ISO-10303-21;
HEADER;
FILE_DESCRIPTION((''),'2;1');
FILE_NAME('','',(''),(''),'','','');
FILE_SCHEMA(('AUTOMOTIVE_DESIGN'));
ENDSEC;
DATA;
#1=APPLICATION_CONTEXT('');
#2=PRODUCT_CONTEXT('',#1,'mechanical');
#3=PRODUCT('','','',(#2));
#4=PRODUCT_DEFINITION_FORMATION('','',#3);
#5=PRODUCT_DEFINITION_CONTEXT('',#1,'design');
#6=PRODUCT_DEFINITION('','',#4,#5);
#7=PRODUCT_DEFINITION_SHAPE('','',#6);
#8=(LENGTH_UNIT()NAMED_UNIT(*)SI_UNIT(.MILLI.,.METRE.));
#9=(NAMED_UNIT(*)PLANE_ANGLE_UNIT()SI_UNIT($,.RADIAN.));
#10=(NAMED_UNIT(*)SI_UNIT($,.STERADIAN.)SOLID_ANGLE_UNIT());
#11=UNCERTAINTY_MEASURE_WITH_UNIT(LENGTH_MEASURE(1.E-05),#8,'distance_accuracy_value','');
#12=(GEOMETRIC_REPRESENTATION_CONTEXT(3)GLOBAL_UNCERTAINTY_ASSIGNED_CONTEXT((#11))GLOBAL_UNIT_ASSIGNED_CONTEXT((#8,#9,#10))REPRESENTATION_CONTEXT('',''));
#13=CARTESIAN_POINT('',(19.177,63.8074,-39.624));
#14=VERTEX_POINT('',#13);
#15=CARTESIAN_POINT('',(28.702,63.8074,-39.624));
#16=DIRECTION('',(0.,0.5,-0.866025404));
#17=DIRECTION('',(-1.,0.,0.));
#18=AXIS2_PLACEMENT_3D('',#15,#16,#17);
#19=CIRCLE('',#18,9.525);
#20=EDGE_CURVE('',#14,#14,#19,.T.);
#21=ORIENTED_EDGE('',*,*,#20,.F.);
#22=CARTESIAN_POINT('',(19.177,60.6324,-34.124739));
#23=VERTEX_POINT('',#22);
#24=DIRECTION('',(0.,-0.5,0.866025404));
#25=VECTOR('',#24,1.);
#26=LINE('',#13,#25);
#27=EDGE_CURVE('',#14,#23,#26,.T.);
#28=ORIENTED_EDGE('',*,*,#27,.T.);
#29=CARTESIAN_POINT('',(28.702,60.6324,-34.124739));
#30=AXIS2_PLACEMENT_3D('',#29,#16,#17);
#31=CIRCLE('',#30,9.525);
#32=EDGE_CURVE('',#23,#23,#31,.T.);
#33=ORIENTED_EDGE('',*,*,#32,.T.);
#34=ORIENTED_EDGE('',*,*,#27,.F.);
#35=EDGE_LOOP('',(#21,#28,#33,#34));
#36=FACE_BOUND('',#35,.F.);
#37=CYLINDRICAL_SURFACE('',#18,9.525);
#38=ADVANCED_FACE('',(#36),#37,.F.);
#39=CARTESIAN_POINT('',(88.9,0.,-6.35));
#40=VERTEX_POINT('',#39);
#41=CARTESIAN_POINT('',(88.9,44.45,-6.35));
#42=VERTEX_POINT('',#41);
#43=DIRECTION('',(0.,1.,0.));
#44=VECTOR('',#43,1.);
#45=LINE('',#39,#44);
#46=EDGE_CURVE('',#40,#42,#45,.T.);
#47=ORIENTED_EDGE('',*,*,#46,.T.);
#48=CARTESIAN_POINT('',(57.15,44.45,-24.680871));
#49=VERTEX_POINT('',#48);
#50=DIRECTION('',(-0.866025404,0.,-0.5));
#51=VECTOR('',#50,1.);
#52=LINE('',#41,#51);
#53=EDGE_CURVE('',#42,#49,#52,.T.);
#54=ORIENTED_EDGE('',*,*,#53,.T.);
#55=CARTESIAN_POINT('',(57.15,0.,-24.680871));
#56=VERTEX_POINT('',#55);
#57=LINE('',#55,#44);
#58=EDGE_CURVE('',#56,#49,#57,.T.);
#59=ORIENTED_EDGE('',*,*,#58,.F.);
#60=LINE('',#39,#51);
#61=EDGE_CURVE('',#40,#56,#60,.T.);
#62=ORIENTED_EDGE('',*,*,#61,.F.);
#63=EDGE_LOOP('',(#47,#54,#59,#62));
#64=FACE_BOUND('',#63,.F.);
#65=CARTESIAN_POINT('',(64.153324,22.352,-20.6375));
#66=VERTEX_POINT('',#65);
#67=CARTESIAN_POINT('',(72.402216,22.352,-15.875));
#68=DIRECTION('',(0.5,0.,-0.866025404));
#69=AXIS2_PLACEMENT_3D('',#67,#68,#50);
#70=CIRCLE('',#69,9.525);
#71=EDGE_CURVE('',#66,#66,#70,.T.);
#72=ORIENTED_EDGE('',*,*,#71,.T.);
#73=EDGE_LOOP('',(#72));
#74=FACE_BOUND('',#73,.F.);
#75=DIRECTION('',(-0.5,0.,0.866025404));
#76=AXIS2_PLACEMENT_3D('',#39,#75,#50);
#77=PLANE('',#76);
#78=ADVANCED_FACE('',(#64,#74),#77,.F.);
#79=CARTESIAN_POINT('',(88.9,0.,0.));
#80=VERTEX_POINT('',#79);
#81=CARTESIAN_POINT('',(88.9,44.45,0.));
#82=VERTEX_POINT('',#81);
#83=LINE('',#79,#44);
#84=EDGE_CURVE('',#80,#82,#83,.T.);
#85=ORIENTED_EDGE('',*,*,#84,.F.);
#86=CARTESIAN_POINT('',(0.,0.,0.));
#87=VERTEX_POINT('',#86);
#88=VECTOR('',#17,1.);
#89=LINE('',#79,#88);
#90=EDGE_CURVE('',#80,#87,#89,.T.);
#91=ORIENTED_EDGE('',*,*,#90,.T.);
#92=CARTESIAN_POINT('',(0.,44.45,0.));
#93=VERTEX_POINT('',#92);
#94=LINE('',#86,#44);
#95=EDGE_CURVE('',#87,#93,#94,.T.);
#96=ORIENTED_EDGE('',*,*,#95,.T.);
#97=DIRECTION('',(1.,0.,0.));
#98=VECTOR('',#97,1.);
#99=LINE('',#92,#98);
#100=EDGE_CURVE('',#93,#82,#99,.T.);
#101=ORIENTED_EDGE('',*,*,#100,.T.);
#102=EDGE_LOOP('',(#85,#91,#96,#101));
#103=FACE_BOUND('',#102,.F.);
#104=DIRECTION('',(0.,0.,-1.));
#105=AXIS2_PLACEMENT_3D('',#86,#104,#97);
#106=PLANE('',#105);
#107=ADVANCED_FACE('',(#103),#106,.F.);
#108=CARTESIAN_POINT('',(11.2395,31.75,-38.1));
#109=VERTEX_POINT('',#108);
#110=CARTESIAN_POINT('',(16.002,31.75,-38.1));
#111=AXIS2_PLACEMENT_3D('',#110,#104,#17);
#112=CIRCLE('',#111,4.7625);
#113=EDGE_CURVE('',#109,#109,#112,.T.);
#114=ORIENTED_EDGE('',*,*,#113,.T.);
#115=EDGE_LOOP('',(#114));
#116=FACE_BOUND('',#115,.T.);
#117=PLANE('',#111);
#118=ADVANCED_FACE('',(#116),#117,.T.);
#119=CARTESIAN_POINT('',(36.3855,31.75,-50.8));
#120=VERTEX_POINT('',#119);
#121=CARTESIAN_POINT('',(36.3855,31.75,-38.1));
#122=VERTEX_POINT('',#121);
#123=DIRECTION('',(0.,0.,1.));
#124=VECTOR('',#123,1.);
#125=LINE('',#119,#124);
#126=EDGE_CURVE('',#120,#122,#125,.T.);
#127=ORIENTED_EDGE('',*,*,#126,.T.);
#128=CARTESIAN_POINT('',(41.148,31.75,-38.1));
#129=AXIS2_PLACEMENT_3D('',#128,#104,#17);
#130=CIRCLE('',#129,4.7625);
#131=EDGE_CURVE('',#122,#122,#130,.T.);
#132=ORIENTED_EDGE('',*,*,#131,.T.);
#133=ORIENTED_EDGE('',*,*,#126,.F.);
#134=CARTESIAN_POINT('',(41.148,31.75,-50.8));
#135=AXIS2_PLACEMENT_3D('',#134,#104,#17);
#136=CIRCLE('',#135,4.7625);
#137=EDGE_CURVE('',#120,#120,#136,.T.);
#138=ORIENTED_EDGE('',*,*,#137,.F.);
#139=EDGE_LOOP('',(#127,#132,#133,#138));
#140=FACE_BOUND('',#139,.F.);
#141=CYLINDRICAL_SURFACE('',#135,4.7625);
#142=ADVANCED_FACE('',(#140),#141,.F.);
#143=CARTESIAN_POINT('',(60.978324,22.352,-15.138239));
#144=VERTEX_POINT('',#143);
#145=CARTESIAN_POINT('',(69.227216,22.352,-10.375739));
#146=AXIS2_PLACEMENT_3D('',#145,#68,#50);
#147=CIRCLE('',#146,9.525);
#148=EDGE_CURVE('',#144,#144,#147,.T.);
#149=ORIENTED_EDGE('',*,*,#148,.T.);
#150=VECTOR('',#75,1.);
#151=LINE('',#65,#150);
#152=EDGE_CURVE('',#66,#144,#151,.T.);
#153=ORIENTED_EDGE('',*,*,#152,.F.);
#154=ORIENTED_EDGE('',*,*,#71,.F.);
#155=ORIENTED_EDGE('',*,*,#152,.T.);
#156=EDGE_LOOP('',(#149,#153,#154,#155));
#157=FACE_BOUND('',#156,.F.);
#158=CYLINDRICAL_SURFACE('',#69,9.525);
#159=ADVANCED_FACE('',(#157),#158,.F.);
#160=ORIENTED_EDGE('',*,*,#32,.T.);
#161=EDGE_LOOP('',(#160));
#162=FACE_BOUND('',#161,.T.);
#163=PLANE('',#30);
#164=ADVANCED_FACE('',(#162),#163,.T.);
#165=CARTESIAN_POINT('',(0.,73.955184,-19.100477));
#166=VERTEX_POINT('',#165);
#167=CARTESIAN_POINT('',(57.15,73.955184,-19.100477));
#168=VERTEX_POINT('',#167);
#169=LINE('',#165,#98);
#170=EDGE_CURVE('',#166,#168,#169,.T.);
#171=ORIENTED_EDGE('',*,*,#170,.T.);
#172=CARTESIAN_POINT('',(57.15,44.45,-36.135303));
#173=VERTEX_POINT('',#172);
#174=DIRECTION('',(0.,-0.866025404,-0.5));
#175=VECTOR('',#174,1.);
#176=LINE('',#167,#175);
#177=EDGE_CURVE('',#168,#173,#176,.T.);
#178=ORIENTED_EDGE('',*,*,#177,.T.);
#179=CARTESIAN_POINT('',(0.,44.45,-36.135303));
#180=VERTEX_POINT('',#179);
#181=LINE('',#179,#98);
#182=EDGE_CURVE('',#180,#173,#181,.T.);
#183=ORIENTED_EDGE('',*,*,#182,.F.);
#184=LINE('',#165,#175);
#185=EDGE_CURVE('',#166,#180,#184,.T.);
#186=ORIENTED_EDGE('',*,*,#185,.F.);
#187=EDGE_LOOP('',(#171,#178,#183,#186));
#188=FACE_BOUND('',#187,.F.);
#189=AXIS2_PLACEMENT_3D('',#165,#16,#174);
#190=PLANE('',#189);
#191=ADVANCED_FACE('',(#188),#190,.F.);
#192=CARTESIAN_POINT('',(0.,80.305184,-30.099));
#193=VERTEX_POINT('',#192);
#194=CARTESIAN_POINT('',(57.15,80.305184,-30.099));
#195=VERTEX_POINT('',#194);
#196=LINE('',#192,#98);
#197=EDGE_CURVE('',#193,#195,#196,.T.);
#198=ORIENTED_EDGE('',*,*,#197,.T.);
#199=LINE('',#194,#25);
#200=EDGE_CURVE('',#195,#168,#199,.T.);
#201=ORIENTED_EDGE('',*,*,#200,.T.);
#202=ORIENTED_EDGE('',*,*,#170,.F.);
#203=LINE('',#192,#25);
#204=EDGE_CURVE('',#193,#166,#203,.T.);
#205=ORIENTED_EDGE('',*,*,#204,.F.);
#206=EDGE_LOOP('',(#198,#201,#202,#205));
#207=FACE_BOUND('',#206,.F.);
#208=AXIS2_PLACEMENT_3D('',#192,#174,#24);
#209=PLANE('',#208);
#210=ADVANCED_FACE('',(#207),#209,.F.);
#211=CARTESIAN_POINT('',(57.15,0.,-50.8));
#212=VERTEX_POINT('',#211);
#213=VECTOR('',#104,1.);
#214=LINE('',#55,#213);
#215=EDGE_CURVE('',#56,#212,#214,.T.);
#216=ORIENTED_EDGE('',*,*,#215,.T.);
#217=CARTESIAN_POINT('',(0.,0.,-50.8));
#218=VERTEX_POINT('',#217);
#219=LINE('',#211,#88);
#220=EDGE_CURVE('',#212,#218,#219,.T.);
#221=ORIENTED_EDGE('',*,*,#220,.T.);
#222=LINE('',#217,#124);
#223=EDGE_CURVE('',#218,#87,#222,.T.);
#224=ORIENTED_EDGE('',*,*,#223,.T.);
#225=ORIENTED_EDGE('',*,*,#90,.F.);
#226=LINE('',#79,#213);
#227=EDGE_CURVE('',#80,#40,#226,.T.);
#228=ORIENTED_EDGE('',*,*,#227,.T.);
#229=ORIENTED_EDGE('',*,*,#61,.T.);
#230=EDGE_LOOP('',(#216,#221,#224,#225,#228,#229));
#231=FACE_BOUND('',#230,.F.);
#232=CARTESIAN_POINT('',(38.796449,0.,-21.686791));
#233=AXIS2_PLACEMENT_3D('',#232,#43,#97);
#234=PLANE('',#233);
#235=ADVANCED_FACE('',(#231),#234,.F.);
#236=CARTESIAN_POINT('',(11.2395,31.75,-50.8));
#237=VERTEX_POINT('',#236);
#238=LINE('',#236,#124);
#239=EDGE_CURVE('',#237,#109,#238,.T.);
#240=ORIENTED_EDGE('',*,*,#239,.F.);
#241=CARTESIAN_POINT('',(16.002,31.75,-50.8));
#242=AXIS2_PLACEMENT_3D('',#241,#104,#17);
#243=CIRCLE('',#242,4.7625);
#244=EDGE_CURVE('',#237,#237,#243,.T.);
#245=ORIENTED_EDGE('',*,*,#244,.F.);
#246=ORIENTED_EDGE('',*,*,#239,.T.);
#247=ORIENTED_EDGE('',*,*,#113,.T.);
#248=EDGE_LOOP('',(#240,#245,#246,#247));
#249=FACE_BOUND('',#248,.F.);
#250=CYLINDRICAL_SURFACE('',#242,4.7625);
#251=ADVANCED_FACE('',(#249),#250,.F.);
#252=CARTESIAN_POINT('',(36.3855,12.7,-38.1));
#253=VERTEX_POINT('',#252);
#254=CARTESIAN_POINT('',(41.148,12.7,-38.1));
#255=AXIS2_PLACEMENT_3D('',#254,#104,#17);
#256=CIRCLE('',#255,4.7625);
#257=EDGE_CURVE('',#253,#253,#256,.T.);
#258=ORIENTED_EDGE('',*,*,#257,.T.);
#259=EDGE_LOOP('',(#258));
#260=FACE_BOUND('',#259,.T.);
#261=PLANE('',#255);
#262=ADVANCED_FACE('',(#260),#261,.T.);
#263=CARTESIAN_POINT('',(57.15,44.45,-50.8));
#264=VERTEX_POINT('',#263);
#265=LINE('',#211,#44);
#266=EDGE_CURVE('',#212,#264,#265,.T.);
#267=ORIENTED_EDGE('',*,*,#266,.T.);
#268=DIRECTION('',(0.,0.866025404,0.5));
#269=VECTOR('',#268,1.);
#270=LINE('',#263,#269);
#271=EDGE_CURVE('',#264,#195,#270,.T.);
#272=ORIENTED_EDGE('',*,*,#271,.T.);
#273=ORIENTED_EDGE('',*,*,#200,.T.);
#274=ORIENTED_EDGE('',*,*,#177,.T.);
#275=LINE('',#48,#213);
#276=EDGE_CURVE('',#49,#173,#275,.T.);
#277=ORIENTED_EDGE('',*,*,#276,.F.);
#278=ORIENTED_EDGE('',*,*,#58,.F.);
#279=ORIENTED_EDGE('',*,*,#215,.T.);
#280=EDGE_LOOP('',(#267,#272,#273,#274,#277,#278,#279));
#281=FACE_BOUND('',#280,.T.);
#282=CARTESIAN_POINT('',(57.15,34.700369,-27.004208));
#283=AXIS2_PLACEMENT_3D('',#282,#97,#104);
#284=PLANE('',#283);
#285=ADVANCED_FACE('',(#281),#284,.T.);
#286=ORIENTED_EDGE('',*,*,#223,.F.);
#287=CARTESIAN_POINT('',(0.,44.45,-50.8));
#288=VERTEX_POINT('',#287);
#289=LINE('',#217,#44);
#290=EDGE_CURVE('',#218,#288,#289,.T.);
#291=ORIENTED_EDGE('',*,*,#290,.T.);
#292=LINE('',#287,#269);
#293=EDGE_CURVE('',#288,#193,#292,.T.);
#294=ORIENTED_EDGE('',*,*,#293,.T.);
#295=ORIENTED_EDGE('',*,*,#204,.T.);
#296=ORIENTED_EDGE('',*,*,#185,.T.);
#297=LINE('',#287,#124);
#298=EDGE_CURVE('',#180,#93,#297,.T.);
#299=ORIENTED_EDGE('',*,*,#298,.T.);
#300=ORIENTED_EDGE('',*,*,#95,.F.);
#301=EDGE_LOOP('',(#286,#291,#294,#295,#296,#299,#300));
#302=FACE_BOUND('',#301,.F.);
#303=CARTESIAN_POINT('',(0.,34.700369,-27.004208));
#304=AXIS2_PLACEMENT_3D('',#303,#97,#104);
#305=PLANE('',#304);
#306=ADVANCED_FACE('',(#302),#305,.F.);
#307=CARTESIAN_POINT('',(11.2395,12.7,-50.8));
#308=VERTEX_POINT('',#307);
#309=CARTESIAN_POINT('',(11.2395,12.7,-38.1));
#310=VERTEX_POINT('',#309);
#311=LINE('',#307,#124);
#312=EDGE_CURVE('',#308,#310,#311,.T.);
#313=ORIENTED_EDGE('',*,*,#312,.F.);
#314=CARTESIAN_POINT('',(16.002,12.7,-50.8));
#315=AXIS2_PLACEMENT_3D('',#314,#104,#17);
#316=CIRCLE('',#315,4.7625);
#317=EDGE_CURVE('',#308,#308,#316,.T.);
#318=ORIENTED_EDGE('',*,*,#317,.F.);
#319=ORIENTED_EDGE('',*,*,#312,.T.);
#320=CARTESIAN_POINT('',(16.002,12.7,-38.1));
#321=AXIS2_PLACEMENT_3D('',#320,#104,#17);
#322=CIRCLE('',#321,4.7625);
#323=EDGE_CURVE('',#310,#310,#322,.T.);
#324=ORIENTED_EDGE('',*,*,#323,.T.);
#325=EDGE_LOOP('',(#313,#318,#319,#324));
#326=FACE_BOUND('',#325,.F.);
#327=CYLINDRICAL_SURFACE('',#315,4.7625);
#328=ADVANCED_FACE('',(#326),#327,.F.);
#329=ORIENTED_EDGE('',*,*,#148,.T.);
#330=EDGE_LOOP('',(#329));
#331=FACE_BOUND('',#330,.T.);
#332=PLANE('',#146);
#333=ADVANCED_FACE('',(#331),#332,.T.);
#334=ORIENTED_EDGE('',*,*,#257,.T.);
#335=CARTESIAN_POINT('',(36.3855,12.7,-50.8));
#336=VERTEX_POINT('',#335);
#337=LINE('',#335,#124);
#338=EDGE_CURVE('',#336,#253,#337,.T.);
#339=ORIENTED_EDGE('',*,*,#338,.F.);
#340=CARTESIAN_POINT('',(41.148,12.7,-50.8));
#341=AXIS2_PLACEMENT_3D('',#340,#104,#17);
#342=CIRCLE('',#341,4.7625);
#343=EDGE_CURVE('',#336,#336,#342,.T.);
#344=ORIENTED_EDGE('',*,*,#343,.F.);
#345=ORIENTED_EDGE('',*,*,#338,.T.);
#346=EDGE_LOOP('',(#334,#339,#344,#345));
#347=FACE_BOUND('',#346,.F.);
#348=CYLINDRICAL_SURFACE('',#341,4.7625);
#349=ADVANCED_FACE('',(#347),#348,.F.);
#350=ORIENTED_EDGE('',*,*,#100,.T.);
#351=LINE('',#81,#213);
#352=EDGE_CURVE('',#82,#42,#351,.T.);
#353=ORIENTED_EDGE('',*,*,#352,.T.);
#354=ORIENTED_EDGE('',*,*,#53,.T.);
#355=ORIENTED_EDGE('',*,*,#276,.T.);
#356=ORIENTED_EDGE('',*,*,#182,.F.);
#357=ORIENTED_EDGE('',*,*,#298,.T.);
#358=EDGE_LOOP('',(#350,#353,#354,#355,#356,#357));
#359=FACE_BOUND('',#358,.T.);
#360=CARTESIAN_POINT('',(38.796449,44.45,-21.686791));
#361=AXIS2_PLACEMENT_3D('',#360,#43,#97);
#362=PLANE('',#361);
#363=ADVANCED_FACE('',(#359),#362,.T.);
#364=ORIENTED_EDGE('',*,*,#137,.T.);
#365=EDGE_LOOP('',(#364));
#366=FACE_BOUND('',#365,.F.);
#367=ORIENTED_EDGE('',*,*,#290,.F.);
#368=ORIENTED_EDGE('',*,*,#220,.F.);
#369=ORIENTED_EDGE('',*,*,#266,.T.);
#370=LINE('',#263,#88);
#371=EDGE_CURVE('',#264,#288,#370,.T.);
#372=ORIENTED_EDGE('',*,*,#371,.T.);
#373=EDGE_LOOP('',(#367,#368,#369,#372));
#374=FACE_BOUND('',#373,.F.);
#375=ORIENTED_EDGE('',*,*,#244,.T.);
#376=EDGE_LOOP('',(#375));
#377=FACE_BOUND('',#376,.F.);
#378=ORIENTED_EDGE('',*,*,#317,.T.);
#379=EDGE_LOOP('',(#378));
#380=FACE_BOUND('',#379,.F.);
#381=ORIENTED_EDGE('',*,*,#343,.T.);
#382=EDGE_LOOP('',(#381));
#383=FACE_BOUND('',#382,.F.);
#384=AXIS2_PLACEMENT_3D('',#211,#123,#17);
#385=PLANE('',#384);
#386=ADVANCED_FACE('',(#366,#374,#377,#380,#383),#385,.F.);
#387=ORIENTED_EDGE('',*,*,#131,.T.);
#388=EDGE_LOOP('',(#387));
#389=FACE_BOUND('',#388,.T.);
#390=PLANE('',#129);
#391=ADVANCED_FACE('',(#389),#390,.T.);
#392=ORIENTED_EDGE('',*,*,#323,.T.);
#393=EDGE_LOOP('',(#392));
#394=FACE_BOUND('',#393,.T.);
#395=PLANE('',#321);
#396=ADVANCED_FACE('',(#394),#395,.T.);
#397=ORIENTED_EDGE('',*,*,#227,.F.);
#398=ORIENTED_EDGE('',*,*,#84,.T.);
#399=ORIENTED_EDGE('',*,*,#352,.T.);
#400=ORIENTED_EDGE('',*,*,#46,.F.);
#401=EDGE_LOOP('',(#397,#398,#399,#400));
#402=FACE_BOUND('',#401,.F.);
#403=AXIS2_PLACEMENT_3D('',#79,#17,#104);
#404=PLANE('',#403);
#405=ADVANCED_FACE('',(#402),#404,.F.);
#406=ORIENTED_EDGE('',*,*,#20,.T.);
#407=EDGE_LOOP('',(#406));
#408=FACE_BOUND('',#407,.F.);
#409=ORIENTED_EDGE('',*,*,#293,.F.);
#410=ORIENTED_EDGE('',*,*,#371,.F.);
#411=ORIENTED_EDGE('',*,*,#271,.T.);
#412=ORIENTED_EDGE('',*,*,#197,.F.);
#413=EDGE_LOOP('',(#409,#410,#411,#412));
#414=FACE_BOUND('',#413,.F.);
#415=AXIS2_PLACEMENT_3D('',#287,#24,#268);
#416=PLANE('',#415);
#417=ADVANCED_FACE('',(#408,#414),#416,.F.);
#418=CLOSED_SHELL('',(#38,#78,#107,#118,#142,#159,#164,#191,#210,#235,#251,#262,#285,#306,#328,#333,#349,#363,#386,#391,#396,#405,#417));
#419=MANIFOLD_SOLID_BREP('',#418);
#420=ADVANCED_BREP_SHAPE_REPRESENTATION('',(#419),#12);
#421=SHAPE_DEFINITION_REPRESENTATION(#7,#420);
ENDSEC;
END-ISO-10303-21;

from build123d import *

# Parameters (mm, degrees)
BOSS_EXTRUDE1_DEPTH = 44.45
SKETCH3_R           = 9.525
CUT_EXTRUDE1_DEPTH  = 6.35
BOSS_EXTRUDE2_DEPTH = 57.15
SKETCH5_R           = 9.525
CUT_EXTRUDE2_DEPTH  = 6.35
SKETCH6_R           = 4.7625
CUT_EXTRUDE3_DEPTH  = 12.7


with BuildPart() as part:
    # Sketch1 → Boss-Extrude1 (new body)
    with BuildSketch(Plane(origin=(0, 0, 0), x_dir=(1, 0, 0), z_dir=(0, 1, 0))):
        Polygon((57.15, 0), (88.9, 0), (88.9, 6.35), (57.15, 24.680871047), (57.15, 50.8), (0, 50.8), (0, 0), align=None)
    extrude(amount=BOSS_EXTRUDE1_DEPTH)

    # Sketch3 → Cut-Extrude1 (cut)
    with BuildSketch(Plane(origin=(24.974630657, 0, -43.257329198), x_dir=(-0.866025404, 0, -0.5), z_dir=(0.5, 0, -0.866025404))):
        with Locations((-54.764658396, 22.352)):
            Circle(SKETCH3_R)
    extrude(amount=-CUT_EXTRUDE1_DEPTH, mode=Mode.SUBTRACT)

    # Sketch4 → Boss-Extrude2 (add)
    with BuildSketch(Plane.ZY):
        Polygon((-50.8, 44.45), (-30.099, 80.305183767), (-19.100477372, 73.955183767), (-36.135303163, 44.45), (0, 44.45), (0, 0), (-50.8, 0), align=None)
    extrude(amount=-BOSS_EXTRUDE2_DEPTH)

    # Sketch5 → Cut-Extrude2 (cut)
    with BuildSketch(Plane(origin=(0, 33.109545256, -57.347414599), x_dir=(-1, 0, 0), z_dir=(0, 0.5, -0.866025404))):
        with Locations((-28.702, 35.446829198)):
            Circle(SKETCH5_R)
    extrude(amount=-CUT_EXTRUDE2_DEPTH, mode=Mode.SUBTRACT)

    # Sketch6 → Cut-Extrude3 (cut)
    with BuildSketch(Plane(origin=(0, 0, -50.8), x_dir=(-1, 0, 0), z_dir=(0, 0, -1))):
        with Locations((-41.148, 31.75)):
            Circle(SKETCH6_R)
        with Locations((-16.002, 31.75)):
            Circle(SKETCH6_R)
        with Locations((-16.002, 12.7)):
            Circle(SKETCH6_R)
        with Locations((-41.148, 12.7)):
            Circle(SKETCH6_R)
    extrude(amount=-CUT_EXTRUDE3_DEPTH, mode=Mode.SUBTRACT)


solid = part.part
